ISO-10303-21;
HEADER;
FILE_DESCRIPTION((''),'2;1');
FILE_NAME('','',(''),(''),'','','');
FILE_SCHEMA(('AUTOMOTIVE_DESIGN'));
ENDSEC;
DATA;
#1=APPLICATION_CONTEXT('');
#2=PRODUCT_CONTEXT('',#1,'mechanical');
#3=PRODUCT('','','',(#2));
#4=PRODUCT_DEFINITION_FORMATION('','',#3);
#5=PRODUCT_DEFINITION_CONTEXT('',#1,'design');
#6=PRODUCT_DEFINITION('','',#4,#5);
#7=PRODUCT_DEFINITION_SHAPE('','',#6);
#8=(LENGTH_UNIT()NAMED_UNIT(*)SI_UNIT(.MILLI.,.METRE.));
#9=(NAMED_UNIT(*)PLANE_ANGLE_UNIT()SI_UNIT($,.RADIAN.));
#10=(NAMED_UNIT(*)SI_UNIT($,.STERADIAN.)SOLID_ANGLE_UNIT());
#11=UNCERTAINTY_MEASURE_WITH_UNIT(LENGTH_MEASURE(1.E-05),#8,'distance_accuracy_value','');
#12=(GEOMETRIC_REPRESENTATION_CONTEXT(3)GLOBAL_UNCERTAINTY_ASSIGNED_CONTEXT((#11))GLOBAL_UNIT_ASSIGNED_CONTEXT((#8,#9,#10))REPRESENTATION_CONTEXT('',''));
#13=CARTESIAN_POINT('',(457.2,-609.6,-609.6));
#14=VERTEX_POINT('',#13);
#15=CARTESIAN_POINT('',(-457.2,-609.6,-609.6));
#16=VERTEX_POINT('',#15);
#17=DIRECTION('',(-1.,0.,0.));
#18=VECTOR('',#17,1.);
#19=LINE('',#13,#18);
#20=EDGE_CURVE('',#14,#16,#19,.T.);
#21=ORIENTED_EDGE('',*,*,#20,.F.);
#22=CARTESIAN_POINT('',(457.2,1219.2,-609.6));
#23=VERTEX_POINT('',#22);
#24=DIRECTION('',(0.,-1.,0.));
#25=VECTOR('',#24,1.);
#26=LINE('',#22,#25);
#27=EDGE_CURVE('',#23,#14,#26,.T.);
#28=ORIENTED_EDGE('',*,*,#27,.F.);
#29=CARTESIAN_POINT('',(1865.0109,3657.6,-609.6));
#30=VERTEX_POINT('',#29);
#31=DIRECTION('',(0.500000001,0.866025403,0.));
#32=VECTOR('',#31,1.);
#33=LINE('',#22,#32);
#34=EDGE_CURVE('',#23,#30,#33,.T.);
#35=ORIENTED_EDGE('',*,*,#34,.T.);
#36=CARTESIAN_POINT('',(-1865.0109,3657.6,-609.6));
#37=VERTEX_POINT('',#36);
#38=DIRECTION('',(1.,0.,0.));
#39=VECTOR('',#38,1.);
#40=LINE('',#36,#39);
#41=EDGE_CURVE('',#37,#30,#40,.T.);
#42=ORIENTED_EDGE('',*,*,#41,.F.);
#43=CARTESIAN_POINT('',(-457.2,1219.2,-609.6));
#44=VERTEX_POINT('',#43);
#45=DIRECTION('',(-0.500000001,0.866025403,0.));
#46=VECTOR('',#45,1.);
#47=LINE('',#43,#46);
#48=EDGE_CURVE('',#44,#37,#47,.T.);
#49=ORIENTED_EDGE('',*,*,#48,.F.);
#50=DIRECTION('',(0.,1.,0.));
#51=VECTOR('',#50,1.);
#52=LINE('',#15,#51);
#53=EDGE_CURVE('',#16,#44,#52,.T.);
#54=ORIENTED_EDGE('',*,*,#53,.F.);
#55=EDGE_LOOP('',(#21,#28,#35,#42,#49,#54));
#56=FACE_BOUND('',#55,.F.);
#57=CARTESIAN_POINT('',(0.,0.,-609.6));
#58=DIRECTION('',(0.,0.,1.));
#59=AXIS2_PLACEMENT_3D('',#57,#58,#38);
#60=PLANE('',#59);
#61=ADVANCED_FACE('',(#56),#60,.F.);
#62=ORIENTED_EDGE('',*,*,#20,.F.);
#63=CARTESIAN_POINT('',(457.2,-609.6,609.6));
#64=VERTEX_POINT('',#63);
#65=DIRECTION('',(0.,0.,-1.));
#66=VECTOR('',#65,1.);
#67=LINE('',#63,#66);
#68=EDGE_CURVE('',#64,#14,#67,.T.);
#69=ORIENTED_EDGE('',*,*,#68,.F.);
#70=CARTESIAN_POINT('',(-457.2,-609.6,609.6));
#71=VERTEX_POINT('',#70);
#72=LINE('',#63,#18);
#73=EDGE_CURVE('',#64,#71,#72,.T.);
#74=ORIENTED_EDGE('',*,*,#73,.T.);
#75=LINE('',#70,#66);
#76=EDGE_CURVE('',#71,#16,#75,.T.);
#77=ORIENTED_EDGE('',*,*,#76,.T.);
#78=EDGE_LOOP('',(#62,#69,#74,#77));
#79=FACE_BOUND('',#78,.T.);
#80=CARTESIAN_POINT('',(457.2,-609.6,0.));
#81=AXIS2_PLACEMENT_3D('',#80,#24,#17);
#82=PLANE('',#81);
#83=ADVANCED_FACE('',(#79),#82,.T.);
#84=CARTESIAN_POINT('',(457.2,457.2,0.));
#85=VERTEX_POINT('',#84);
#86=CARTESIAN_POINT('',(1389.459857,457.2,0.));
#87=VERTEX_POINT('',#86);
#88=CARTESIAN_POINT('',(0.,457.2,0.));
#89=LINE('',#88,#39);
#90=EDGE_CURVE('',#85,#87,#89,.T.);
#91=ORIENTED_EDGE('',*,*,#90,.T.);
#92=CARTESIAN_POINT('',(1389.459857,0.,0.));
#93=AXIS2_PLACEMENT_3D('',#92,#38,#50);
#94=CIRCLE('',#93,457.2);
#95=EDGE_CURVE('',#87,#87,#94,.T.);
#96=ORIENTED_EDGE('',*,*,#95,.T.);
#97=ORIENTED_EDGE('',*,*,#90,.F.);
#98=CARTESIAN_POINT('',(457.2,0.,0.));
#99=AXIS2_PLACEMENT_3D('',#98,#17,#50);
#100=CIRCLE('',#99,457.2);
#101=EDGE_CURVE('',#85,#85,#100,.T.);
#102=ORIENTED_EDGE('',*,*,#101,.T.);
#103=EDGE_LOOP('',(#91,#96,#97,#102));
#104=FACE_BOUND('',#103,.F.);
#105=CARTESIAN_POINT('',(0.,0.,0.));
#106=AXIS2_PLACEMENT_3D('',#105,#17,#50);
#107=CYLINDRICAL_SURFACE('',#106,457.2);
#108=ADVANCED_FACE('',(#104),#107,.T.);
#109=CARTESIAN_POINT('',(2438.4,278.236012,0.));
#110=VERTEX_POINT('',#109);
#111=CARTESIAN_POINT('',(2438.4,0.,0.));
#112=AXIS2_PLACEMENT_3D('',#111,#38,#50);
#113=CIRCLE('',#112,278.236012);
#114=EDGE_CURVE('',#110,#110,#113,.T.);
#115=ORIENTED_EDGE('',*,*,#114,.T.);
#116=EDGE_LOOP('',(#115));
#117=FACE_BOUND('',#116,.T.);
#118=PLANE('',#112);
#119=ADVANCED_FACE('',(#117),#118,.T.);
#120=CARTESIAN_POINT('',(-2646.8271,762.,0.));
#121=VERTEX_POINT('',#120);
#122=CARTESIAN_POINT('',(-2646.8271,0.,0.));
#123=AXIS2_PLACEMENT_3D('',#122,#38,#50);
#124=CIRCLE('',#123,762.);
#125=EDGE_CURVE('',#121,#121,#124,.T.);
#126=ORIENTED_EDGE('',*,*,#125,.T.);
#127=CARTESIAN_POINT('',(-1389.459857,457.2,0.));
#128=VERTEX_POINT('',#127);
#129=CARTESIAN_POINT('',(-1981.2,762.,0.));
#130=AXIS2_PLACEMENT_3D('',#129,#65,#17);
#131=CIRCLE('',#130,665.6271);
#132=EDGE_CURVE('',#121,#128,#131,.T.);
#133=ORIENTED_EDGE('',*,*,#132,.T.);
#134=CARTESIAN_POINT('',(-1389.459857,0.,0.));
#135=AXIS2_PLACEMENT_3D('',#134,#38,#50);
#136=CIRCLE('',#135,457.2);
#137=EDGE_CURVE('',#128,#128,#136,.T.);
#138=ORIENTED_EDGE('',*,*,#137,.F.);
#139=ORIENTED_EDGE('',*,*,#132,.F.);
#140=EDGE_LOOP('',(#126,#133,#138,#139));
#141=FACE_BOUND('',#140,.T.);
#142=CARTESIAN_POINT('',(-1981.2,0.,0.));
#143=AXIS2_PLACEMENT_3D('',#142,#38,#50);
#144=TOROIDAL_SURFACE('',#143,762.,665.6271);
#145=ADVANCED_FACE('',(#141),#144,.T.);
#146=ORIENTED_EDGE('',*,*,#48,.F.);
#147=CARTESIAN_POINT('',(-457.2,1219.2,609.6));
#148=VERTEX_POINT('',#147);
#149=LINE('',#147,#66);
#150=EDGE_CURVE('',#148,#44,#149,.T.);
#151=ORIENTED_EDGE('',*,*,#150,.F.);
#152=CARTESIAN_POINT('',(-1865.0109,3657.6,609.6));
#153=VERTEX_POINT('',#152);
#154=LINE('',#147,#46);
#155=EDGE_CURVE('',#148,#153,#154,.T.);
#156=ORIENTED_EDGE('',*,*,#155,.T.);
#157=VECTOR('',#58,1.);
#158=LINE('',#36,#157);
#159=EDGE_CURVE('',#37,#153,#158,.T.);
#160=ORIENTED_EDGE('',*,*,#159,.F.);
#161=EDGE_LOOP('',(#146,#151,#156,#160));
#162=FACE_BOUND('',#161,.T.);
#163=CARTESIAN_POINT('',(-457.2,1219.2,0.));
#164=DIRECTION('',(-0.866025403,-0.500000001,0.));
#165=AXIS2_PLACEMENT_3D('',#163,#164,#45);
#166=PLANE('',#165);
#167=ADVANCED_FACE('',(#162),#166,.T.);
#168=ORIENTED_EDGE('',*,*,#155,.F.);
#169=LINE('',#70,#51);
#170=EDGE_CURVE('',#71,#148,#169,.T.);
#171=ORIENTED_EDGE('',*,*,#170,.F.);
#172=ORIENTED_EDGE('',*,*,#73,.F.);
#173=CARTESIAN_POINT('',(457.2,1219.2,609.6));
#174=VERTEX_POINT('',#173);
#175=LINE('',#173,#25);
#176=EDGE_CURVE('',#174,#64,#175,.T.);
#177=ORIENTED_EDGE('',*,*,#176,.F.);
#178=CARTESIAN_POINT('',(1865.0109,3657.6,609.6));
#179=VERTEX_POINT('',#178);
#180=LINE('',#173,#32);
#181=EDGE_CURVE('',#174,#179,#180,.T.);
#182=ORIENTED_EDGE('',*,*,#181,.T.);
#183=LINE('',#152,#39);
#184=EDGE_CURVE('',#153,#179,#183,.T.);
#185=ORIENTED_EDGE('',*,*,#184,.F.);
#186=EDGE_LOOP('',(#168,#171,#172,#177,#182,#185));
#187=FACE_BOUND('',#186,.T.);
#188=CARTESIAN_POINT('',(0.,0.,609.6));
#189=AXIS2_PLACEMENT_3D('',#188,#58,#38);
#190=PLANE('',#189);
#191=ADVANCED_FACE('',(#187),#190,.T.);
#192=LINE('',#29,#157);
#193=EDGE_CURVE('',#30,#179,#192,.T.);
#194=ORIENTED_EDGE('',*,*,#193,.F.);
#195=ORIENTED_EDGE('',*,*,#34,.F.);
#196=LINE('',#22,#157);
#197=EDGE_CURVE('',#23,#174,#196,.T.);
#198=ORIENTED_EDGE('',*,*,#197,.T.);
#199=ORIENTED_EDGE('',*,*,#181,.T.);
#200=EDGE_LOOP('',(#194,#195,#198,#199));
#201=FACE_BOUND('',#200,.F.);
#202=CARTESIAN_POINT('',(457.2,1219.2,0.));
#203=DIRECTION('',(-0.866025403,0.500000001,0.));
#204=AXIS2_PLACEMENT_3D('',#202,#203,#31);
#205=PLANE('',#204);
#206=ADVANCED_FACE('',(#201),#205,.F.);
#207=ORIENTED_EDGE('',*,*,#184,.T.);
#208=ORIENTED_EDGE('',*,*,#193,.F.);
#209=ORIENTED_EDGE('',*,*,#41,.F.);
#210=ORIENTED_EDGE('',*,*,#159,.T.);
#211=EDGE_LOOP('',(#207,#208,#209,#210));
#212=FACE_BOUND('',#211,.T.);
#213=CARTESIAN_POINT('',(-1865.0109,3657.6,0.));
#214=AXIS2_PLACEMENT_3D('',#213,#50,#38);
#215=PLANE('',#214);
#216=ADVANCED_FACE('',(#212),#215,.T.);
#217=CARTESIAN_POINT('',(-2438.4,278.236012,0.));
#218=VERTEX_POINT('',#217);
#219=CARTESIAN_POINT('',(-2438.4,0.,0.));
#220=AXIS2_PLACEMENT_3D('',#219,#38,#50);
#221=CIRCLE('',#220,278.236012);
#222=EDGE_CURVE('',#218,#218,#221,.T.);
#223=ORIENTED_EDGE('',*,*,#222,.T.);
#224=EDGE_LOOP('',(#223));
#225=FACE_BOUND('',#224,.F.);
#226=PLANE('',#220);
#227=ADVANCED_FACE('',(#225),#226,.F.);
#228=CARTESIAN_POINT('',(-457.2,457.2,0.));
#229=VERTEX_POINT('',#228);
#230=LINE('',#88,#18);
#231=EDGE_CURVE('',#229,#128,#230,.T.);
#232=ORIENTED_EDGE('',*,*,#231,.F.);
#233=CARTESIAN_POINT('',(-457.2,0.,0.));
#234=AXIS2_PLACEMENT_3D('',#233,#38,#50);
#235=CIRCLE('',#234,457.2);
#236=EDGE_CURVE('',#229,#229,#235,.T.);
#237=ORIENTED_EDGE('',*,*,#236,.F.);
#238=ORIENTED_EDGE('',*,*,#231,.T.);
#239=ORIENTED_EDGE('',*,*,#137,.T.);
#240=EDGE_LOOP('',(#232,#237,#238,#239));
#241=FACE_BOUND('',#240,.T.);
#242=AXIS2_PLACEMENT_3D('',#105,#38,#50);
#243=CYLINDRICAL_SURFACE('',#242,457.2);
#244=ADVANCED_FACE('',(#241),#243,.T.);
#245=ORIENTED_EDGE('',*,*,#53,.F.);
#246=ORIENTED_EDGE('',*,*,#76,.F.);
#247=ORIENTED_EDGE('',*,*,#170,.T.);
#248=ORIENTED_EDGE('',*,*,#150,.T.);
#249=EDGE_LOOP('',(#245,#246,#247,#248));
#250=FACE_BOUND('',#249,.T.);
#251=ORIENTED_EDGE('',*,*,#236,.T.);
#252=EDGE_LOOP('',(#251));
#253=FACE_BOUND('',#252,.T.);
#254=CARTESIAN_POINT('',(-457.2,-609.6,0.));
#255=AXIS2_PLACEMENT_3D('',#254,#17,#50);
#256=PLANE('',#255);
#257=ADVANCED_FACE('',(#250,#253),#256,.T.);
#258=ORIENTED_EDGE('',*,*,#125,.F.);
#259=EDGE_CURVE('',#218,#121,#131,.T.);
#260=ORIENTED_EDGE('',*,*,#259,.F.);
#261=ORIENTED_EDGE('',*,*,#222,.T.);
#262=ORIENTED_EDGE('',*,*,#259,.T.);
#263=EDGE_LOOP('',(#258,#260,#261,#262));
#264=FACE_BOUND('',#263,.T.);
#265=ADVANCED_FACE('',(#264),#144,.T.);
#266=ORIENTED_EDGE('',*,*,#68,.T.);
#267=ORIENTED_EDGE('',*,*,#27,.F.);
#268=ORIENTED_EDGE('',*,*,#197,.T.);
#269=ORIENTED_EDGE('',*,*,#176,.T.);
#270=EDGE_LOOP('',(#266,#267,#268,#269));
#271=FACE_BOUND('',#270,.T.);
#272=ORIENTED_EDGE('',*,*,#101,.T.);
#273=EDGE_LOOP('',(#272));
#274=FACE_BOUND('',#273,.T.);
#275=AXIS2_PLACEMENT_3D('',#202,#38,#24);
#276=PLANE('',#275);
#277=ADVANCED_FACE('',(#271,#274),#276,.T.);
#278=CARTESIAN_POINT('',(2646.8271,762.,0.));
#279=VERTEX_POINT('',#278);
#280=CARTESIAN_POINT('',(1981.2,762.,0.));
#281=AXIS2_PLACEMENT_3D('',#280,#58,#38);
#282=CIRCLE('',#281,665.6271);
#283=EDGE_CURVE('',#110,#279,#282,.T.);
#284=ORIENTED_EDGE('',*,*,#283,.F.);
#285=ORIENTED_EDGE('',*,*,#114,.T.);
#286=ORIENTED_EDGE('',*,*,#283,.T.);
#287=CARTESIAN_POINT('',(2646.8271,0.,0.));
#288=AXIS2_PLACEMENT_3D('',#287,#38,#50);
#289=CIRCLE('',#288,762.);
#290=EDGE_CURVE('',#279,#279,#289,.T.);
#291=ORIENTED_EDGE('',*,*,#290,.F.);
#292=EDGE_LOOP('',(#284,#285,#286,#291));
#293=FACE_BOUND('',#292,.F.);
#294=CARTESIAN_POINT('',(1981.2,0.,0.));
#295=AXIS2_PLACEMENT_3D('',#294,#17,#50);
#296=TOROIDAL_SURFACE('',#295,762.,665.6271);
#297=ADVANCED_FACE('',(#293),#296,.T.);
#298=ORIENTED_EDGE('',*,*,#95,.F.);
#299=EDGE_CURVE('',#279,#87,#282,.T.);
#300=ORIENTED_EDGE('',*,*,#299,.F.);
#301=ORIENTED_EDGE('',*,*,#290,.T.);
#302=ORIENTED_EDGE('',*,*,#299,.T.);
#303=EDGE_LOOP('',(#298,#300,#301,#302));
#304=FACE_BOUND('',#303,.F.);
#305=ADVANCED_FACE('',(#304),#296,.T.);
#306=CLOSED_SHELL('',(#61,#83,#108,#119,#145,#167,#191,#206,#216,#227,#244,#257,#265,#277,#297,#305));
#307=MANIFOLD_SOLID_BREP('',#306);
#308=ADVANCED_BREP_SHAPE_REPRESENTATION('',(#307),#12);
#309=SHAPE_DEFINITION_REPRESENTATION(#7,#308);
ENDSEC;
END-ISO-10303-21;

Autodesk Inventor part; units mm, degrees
ref_plane "YZ Plane" through (0, 0, 0) normal (1, 0, 0) x (0, 1, 0)
ref_plane "XZ Plane" through (0, 0, 0) normal (0, 1, 0) x (-1, 0, 0)
ref_plane "XY Plane" through (0, 0, 0) normal (0, 0, 1) x (1, 0, 0)
sketch "Sketch1" plane through (0, 0, 0) normal (0, 0, 1) x (1, 0, 0)
  line L0 (457.2, 1219.2) -> (457.2, -609.6)
  line L1 (-457.2, -609.6) -> (-457.2, 1219.2)
  line L2 (-457.2, 1219.2) -> (-1865.0109, 3657.6)
  line L3 (457.2, 1219.2) -> (1865.0109, 3657.6)
  line L4 (-1865.0109, 3657.6) -> (1865.0109, 3657.6)
  line L5 (457.2, -609.6) -> (-457.2, -609.6)
extrude "Extrusion1" add sketch "Sketch1" along normal mid plane 1219.2
sketch "Sketch2" plane through (0, 0, 0) normal (1, 0, 0) x (0, 1, 0)
  circle A0 centre (0, 0) radius 457.2
extrude "Extrusion2" add sketch "Sketch2" along normal mid plane 4876.8
sketch "Sketch3" plane through (0, 0, 0) normal (0, 0, 1) x (1, 0, 0)
  line L0 (-2919.5032, 0) -> (3069.2275, 0) construction
  line L1 (2438.4, -457.2) -> (2438.4, 457.2) projected
  line L2 (457.2, 457.2) -> (2438.4, 457.2) projected
  circle A0 centre (1981.2, 762) radius 665.6271
  point P0 (2438.4, 278.236)
  point P1 (1389.4599, 457.2)
revolve "Revolution1" add sketch "Sketch3" angle 360 about axis through (-2919.5032, 0, 0) along (1, 0, 0) picked at (1765.7699, 908.3284) contours L1 L2 A0
mirror "Mirror1" about plane through (0, 0, 0) normal (1, 0, 0) of "Revolution1"
properties part number "wheels"
